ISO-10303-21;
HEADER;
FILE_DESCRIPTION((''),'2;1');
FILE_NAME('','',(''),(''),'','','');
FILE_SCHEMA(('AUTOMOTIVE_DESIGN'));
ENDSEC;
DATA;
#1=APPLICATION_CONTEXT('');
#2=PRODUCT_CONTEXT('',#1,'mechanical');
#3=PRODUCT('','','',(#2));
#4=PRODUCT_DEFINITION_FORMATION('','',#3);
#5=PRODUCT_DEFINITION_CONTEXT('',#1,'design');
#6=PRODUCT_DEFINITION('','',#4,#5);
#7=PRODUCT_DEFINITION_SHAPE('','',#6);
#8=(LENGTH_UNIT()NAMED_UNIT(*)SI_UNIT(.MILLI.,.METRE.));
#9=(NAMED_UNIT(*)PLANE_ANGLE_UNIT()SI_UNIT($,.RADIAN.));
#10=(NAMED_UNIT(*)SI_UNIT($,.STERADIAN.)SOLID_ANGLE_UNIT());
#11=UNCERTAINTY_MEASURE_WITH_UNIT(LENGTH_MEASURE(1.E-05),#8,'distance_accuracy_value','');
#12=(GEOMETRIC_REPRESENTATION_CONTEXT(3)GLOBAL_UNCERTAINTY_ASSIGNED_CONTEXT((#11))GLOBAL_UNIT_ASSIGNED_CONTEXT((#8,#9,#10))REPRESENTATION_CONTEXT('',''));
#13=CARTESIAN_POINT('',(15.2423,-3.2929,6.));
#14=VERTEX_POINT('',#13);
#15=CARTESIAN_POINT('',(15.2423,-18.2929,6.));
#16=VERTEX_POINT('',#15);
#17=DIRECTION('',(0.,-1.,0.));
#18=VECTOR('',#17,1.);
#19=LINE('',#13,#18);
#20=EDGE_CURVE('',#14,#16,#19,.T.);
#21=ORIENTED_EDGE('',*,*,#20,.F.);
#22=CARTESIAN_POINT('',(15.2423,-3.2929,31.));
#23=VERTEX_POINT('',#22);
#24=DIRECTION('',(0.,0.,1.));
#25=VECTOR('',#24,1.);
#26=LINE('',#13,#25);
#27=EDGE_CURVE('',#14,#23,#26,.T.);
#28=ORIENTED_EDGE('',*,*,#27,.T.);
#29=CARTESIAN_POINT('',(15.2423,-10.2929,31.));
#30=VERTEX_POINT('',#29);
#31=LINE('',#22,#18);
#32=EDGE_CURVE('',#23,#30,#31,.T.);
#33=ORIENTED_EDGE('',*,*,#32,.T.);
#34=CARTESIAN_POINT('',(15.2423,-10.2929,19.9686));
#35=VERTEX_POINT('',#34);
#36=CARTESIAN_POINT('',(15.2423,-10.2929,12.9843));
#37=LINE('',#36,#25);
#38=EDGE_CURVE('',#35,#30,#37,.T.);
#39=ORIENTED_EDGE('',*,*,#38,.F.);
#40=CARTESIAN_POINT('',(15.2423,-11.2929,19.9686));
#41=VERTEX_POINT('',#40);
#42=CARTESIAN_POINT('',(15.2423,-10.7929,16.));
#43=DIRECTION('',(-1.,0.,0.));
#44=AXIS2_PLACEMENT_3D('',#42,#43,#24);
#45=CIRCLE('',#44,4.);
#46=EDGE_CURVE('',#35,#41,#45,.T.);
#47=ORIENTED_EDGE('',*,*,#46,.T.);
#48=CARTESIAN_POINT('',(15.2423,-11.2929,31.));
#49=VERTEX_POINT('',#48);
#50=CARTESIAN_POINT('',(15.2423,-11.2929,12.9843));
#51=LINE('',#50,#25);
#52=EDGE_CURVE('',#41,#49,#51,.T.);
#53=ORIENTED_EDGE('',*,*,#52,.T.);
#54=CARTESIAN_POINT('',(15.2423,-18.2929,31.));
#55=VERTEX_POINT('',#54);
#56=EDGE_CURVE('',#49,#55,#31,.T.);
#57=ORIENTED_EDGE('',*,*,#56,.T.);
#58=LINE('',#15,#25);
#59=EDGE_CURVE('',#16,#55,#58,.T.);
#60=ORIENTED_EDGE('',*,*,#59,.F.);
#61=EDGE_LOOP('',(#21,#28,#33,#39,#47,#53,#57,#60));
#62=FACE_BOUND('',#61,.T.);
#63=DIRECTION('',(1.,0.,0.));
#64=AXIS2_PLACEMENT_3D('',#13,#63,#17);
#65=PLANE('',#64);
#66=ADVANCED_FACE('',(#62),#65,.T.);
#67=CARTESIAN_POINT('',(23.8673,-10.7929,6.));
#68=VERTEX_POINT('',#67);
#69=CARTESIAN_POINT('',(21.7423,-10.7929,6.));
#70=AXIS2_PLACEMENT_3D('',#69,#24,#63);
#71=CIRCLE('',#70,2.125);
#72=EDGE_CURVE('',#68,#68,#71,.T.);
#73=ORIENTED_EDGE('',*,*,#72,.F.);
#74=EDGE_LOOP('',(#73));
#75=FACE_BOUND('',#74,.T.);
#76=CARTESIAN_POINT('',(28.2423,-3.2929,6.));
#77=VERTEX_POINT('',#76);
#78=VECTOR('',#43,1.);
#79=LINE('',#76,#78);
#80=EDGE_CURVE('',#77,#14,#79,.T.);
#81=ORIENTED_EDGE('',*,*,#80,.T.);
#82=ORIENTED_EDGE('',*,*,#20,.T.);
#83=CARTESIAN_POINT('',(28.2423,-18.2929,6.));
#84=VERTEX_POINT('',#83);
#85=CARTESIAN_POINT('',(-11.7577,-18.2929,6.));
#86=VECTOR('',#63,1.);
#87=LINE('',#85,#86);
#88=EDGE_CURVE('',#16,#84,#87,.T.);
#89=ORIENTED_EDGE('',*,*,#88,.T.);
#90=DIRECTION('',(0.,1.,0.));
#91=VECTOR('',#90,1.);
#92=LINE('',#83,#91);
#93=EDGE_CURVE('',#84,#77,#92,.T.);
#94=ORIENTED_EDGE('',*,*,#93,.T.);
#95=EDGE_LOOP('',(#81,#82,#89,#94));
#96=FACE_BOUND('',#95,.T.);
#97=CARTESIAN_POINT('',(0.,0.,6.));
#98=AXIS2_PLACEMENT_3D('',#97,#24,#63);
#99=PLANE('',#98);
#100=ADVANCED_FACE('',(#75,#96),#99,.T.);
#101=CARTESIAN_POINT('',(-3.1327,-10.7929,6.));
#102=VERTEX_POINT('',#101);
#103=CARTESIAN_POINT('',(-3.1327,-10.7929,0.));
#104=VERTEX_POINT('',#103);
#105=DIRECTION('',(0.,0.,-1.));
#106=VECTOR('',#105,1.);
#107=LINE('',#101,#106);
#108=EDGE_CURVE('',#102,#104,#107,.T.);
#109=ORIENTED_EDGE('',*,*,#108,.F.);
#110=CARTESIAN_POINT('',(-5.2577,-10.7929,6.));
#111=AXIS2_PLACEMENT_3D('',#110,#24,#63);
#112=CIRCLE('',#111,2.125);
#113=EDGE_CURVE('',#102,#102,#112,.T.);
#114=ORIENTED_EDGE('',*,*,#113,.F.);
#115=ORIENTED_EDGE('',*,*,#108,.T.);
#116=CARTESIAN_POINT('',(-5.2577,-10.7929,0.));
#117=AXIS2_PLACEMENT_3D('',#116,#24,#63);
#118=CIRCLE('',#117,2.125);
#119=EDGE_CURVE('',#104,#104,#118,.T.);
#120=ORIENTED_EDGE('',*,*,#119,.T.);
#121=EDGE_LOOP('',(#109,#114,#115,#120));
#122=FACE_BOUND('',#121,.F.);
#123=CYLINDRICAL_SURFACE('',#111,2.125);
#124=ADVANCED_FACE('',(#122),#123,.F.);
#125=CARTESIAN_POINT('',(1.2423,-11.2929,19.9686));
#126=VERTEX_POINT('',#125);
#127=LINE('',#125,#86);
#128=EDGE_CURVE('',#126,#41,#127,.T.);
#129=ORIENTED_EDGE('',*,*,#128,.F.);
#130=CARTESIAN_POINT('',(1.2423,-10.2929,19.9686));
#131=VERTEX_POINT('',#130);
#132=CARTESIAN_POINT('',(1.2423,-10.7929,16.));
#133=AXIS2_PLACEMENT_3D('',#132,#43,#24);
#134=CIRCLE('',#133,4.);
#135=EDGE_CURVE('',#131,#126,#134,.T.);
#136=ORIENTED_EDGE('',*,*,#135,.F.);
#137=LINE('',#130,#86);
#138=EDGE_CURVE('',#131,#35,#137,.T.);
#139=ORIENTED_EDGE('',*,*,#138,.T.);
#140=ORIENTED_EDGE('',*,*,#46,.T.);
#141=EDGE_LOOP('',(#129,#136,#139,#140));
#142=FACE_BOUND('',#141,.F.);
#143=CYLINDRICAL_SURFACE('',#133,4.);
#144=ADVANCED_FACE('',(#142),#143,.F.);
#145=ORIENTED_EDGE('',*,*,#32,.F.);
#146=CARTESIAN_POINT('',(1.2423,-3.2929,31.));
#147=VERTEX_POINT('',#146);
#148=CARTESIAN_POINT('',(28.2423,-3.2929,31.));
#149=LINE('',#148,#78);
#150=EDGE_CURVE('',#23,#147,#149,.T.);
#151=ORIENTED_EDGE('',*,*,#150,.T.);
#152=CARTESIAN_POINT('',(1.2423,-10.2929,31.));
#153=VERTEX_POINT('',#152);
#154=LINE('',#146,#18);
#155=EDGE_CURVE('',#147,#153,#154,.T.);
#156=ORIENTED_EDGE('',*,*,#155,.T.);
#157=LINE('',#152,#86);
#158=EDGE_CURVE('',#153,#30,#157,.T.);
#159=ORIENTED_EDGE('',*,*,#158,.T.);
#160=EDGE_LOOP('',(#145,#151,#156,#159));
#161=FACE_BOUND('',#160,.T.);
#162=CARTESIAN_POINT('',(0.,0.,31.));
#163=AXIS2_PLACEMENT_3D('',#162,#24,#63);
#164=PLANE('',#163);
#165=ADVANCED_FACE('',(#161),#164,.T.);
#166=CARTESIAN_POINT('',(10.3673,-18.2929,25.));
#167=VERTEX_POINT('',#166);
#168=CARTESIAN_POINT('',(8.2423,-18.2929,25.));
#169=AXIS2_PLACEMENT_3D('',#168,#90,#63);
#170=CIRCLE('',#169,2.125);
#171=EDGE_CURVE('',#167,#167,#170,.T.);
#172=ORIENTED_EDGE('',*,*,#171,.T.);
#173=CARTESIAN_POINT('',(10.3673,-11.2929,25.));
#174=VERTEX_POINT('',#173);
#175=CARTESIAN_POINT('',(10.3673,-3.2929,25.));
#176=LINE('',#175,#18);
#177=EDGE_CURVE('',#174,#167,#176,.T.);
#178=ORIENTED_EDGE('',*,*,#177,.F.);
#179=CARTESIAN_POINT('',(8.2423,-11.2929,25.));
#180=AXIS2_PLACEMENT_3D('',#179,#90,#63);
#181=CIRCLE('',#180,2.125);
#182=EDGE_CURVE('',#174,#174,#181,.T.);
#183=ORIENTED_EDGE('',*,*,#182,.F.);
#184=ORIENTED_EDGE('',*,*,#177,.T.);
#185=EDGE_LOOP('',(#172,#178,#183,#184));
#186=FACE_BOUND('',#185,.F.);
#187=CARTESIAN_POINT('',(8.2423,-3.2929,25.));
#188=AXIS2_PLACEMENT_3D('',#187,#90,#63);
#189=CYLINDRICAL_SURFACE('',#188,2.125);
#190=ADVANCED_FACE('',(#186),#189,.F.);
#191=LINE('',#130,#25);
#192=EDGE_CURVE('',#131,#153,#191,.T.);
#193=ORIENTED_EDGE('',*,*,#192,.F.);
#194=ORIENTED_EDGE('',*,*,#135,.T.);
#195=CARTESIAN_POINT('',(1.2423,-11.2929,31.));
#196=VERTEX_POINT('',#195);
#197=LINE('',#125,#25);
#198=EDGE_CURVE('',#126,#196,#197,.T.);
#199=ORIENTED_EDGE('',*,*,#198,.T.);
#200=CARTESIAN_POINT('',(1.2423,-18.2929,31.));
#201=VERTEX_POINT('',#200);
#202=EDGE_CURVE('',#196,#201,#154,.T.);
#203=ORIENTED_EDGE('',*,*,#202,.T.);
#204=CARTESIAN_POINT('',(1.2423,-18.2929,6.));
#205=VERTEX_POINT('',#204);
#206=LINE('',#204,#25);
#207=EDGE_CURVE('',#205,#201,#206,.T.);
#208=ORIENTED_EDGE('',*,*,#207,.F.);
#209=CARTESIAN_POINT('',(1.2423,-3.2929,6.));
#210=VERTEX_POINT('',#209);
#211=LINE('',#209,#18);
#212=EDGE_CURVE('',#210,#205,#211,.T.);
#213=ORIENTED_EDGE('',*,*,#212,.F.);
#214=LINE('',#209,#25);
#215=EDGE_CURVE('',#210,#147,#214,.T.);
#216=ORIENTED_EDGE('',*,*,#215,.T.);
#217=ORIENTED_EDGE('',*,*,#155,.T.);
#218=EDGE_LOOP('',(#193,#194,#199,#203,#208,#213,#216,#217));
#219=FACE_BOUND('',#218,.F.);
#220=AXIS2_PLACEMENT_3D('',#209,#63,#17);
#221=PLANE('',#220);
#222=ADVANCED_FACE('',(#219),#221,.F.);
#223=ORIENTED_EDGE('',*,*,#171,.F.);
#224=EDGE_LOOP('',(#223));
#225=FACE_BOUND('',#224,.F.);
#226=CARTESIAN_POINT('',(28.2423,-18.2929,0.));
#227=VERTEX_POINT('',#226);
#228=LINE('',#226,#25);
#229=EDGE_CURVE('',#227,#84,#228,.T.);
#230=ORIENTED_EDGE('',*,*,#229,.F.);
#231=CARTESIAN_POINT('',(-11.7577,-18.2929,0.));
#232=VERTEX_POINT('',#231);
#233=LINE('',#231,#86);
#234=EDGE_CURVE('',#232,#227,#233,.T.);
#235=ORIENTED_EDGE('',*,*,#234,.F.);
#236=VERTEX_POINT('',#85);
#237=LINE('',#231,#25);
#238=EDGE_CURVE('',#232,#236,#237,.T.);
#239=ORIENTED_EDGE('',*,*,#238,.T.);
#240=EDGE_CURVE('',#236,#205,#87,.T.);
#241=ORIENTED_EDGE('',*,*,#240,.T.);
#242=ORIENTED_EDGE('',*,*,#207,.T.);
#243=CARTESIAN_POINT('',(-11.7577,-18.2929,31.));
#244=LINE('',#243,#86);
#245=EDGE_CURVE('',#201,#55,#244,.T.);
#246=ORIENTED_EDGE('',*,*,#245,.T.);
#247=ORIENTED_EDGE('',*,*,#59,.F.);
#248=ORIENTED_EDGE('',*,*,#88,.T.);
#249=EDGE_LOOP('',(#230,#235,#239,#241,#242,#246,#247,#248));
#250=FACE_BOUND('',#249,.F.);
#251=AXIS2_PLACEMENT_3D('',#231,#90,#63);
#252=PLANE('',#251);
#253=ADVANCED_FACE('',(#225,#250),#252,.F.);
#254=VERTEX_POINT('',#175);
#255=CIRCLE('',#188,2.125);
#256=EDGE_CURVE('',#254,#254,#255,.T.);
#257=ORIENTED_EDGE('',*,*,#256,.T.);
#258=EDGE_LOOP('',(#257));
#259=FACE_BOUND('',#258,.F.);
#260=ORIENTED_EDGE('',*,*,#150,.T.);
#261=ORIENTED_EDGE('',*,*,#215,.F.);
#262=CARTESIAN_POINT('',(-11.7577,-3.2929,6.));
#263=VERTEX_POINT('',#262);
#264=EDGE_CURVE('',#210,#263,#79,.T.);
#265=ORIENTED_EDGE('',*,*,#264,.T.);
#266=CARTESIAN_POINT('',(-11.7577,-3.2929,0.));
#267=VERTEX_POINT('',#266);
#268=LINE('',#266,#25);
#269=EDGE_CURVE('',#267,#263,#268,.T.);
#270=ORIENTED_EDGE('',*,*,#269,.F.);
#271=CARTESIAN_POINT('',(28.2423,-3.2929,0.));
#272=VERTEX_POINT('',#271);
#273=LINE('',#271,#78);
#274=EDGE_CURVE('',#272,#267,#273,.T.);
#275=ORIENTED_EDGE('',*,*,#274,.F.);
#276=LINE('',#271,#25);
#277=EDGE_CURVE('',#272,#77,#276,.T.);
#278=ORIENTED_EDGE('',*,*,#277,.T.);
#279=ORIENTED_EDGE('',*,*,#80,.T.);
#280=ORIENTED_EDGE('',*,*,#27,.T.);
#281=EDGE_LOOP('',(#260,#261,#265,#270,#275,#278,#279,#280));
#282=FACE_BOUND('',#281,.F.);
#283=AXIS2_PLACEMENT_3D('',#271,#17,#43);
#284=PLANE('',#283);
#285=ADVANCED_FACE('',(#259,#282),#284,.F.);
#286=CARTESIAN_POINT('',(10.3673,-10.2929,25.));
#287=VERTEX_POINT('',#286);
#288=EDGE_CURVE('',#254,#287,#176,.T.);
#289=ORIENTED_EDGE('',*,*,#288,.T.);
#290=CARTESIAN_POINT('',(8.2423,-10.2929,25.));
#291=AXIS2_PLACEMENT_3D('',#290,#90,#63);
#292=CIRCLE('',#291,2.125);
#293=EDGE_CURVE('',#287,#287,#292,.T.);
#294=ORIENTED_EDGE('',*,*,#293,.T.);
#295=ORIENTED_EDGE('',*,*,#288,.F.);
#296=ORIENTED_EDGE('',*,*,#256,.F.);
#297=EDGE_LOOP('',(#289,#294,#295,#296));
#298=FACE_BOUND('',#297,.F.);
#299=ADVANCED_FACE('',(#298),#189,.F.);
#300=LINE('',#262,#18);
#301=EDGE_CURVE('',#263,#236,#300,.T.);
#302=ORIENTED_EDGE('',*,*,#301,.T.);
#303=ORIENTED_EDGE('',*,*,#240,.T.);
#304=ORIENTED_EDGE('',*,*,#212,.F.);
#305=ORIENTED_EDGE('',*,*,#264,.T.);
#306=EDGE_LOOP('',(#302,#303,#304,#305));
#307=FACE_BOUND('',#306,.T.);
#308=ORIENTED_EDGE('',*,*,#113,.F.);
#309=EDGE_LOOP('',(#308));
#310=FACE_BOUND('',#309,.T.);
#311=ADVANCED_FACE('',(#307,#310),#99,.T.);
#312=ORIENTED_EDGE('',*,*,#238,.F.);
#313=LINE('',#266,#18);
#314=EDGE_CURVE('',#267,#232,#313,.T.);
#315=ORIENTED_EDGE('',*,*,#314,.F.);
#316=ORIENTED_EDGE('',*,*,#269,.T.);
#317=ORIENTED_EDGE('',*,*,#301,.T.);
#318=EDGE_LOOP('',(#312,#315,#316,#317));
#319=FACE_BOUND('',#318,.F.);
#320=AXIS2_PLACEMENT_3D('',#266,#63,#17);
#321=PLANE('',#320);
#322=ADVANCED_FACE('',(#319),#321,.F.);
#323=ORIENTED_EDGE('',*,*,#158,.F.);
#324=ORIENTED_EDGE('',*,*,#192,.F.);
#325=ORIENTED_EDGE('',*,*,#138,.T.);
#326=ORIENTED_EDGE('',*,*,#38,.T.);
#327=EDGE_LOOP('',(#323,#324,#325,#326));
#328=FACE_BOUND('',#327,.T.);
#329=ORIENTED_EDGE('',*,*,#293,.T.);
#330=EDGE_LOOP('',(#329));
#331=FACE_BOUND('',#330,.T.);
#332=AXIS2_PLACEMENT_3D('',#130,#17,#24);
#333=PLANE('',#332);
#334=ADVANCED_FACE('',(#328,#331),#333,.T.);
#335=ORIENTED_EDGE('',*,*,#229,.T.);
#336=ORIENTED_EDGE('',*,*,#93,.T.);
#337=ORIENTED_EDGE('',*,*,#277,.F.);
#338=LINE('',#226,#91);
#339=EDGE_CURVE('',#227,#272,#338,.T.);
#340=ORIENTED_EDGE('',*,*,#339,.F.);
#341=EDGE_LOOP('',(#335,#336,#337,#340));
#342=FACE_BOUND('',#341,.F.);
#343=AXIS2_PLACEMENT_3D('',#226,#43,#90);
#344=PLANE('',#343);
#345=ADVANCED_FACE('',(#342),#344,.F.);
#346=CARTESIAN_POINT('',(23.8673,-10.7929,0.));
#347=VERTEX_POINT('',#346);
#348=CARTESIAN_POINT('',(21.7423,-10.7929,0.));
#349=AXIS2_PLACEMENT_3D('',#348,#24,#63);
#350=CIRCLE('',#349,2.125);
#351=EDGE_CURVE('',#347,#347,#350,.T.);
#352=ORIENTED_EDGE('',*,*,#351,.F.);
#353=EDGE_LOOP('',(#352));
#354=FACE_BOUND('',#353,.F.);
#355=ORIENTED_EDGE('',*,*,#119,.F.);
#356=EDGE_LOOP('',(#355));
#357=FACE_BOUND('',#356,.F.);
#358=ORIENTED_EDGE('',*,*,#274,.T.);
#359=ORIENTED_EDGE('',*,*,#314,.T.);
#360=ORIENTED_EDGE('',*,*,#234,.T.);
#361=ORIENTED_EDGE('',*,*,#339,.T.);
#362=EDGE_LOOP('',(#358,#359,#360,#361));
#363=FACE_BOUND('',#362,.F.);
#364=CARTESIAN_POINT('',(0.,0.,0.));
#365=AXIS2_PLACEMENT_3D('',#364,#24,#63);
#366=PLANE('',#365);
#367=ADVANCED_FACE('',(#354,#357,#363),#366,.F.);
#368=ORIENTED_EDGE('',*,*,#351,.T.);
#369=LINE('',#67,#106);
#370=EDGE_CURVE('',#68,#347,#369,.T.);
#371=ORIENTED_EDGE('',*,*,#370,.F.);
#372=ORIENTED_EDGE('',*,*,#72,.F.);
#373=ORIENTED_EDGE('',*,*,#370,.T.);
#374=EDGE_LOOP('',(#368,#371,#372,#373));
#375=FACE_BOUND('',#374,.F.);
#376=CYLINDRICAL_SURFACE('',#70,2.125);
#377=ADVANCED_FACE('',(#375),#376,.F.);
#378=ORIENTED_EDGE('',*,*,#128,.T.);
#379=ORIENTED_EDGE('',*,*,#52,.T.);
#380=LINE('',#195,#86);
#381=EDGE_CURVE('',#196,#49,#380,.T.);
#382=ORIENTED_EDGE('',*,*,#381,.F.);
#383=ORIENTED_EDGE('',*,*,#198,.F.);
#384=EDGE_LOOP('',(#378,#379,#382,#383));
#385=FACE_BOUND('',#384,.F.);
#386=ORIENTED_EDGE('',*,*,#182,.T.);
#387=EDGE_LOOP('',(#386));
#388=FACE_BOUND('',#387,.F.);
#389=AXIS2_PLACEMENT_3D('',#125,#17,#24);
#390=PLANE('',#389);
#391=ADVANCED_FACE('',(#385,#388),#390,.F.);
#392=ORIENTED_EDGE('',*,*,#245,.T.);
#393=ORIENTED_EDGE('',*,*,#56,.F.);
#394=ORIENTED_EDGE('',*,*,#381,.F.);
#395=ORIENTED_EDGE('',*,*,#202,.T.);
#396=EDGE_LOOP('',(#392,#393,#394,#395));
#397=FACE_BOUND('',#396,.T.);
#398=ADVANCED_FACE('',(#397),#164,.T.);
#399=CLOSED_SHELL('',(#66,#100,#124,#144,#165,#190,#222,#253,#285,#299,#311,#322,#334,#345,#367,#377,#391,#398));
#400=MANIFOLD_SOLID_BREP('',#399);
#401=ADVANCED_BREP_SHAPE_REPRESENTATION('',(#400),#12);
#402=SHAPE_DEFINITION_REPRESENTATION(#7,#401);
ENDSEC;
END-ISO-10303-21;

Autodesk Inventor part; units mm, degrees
ref_plane "YZ Plane" through (0, 0, 0) normal (1, 0, 0) x (0, 1, 0)
ref_plane "XZ Plane" through (0, 0, 0) normal (0, 1, 0) x (-1, 0, 0)
ref_plane "XY Plane" through (0, 0, 0) normal (0, 0, 1) x (1, 0, 0)
sketch "Sketch1" plane through (0, 0, 0) normal (0, 0, 1) x (1, 0, 0)
  line L0 (-11.7577, -18.2929) -> (28.2423, -18.2929)
  line L1 (28.2423, -18.2929) -> (28.2423, -3.2929)
  line L2 (28.2423, -3.2929) -> (-11.7577, -3.2929)
  line L3 (-11.7577, -3.2929) -> (-11.7577, -18.2929)
  point P0 (0, 0)
  dimension "d0" = 40
  dimension "d1" = 15
extrude "Extrusion1" add sketch "Sketch1" along normal blind 6
sketch "Sketch2" plane through (0, 0, 6) normal (0, 0, 1) x (1, 0, 0)
  line L0 (28.2423, -3.2929) -> (-11.7577, -3.2929) projected
  line L1 (15.2423, -3.2929) -> (15.2423, -18.2929)
  line L2 (1.2423, -3.2929) -> (1.2423, -18.2929)
  line L3 (-11.7577, -18.2929) -> (28.2423, -18.2929) projected
  line L4 (15.2423, -6.7382) -> (28.2423, -6.7382) construction
  line L5 (28.2423, -18.2929) -> (28.2423, -3.2929) projected
  line L6 (1.2423, -6.7382) -> (-11.7577, -6.7382) construction
  line L7 (-11.7577, -3.2929) -> (-11.7577, -18.2929) projected
  point P0 (0, 0)
  dimension "d4" = 14
extrude "Extrusion2" add sketch "Sketch2" along normal blind 25 contours L1 L3 L2 L0
sketch "Sketch4" plane through (0, 0, 6) normal (0, 0, 1) x (1, 0, 0)
  circle A0 centre (21.7423, -10.7929) radius 2.125
  line L0 (21.7423, -10.7929) -> (21.7423, -3.2929) construction
  line L1 (21.7423, -10.7929) -> (21.7423, -18.2929) construction
  line L2 (15.2423, -18.2929) -> (28.2423, -18.2929) projected
  line L3 (21.7423, -10.7929) -> (28.2423, -10.7929) construction
  line L4 (21.7423, -10.7929) -> (15.2423, -10.7929) construction
  line L5 (15.2423, -18.2929) -> (15.2423, -3.2929) projected
  line L6 (28.2423, -3.2929) -> (15.2423, -3.2929) projected
  line L7 (28.2423, -18.2929) -> (28.2423, -3.2929) projected
  circle A1 centre (-5.2577, -10.7929) radius 2.125
  line L8 (-5.2577, -10.7929) -> (-5.2577, -3.2929) construction
  line L9 (-5.2577, -10.7929) -> (-11.7577, -10.7929) construction
  line L10 (-11.7577, -3.2929) -> (-11.7577, -18.2929) projected
  line L11 (-5.2577, -10.7929) -> (-5.2577, -18.2929) construction
  line L12 (-5.2577, -10.7929) -> (1.2423, -10.7929) construction
  line L13 (1.2423, -3.2929) -> (1.2423, -18.2929) projected
  point P0 (0, 0)
  dimension "d12" = 4.25
  dimension "d13" = 4.25
extrude "Extrusion4" cut sketch "Sketch4" against normal up to next contours A0 | A1
sketch "Sketch5" plane through (1.2423, -18.2929, 6) normal (-1, 0, 0) x (0, 0, 1)
  circle A0 centre (10, 7.5) radius 4
  line L0 (10, 7.5) -> (10, 15) construction
  line L1 (10, 7.5) -> (10, 0) construction
  line L2 (-6, 15) -> (-6, 0) projected
  line L3 (13.9686, 7) -> (25, 7)
  line L4 (13.9686, 8) -> (25, 8)
  line L5 (25, 15) -> (25, 0) projected
  line L6 (27.4068, 8) -> (27.4068, 15) construction
  line L7 (27.4068, 7) -> (27.4068, 0) construction
  line L8 (0, 0) -> (25, 0) projected
  line L9 (0, 15) -> (25, 15) projected
  line L10 (10, 7.5) -> (10, 0) construction
  line L11 (0, 0) -> (25, 0) projected
  point P0 (-6, 18.2929)
  dimension "d16" = 8
  dimension "d17" = 16
  dimension "d18" = 1
extrude "Extrusion5" cut sketch "Sketch5" against normal up to next
sketch "Sketch6" plane through (-11.7577, -3.2929, 0) normal (0, 1, 0) x (1, 0, 0)
  circle A0 centre (20, -25) radius 2.125
  line L0 (27, -31) -> (13, -31) projected
  line L1 (20, -25) -> (27, -25) construction
  line L2 (20, -25) -> (13, -25) construction
  line L3 (27, -6) -> (27, -31) projected
  line L4 (13, -6) -> (13, -31) projected
  point P0 (11.7577, 0)
  dimension "d21" = 4.25
  dimension "d22" = 6
extrude "Extrusion6" cut sketch "Sketch6" against normal through all
properties part number "YRodClamp"
